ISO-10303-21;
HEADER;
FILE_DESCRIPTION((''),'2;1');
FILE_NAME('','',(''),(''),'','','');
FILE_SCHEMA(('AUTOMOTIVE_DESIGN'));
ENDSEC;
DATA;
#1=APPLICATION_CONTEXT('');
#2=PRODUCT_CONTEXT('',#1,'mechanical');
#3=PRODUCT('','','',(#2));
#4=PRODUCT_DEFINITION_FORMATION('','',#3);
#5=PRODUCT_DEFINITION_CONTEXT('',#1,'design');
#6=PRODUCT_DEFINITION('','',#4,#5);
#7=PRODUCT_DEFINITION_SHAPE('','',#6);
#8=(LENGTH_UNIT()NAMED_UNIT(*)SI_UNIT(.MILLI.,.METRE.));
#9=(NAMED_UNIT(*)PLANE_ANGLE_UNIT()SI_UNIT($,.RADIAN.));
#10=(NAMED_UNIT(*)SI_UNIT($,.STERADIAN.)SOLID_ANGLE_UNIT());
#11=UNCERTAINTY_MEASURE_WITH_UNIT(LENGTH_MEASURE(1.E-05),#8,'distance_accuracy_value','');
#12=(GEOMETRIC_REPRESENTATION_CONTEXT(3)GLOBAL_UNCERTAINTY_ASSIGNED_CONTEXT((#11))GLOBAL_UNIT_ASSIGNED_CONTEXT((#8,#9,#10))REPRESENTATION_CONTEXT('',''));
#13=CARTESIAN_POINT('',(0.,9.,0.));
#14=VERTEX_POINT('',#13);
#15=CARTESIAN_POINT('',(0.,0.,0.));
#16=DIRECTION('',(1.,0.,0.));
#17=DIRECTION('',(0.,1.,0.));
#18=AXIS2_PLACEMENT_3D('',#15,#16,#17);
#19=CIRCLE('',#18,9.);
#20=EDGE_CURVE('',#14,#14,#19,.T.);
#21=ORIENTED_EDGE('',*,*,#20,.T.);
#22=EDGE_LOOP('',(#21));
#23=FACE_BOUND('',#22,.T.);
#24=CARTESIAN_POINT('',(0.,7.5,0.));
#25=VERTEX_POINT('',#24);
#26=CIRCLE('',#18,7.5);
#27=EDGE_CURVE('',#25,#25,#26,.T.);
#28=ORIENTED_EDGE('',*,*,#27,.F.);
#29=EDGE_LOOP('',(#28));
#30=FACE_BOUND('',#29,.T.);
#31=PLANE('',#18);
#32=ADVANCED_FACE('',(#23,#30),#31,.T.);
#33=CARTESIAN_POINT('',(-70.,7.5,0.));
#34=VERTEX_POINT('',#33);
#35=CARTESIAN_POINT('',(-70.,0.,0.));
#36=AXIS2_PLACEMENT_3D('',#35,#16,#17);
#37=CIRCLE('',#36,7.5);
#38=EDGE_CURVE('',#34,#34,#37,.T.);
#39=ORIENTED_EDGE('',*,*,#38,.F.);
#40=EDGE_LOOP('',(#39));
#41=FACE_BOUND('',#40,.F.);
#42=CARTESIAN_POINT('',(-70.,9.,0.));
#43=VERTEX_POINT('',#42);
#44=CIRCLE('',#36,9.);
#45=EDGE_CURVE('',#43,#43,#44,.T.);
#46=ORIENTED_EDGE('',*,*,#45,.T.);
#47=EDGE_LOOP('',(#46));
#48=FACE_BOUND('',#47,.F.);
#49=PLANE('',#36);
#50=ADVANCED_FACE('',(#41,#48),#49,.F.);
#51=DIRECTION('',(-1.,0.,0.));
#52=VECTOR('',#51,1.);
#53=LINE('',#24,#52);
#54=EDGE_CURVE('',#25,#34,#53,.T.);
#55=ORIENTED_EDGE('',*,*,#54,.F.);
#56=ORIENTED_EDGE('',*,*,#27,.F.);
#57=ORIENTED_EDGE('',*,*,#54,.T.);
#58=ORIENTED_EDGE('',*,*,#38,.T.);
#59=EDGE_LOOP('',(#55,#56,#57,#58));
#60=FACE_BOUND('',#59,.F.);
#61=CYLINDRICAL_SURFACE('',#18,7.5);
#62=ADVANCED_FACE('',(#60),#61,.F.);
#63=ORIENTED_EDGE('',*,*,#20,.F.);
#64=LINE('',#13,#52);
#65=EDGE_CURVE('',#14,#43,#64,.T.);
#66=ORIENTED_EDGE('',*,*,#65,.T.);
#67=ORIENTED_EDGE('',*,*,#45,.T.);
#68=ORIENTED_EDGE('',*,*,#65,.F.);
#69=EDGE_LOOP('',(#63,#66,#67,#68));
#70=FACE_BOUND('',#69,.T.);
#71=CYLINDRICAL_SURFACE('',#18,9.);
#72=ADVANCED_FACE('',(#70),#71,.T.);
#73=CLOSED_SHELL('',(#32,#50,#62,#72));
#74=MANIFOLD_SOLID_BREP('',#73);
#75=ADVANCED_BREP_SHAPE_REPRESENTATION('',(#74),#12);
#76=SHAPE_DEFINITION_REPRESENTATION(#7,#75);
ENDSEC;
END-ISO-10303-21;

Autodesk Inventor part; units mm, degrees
ref_plane "YZ Plane" through (0, 0, 0) normal (1, 0, 0) x (0, 1, 0)
ref_plane "XZ Plane" through (0, 0, 0) normal (0, 1, 0) x (-1, 0, 0)
ref_plane "XY Plane" through (0, 0, 0) normal (0, 0, 1) x (1, 0, 0)
sketch "Skizze1" plane through (0, 0, 0) normal (1, 0, 0) x (0, 1, 0)
  circle A0 centre (0, 0) radius 7.5
  circle A1 centre (0, 0) radius 9
  dimension "d0" = 15
  dimension "d1" = 18
extrude "Extrusion1" add sketch "Skizze1" against normal blind 70
properties part number "MC18_Rohr" material "Aluminium 6061"
